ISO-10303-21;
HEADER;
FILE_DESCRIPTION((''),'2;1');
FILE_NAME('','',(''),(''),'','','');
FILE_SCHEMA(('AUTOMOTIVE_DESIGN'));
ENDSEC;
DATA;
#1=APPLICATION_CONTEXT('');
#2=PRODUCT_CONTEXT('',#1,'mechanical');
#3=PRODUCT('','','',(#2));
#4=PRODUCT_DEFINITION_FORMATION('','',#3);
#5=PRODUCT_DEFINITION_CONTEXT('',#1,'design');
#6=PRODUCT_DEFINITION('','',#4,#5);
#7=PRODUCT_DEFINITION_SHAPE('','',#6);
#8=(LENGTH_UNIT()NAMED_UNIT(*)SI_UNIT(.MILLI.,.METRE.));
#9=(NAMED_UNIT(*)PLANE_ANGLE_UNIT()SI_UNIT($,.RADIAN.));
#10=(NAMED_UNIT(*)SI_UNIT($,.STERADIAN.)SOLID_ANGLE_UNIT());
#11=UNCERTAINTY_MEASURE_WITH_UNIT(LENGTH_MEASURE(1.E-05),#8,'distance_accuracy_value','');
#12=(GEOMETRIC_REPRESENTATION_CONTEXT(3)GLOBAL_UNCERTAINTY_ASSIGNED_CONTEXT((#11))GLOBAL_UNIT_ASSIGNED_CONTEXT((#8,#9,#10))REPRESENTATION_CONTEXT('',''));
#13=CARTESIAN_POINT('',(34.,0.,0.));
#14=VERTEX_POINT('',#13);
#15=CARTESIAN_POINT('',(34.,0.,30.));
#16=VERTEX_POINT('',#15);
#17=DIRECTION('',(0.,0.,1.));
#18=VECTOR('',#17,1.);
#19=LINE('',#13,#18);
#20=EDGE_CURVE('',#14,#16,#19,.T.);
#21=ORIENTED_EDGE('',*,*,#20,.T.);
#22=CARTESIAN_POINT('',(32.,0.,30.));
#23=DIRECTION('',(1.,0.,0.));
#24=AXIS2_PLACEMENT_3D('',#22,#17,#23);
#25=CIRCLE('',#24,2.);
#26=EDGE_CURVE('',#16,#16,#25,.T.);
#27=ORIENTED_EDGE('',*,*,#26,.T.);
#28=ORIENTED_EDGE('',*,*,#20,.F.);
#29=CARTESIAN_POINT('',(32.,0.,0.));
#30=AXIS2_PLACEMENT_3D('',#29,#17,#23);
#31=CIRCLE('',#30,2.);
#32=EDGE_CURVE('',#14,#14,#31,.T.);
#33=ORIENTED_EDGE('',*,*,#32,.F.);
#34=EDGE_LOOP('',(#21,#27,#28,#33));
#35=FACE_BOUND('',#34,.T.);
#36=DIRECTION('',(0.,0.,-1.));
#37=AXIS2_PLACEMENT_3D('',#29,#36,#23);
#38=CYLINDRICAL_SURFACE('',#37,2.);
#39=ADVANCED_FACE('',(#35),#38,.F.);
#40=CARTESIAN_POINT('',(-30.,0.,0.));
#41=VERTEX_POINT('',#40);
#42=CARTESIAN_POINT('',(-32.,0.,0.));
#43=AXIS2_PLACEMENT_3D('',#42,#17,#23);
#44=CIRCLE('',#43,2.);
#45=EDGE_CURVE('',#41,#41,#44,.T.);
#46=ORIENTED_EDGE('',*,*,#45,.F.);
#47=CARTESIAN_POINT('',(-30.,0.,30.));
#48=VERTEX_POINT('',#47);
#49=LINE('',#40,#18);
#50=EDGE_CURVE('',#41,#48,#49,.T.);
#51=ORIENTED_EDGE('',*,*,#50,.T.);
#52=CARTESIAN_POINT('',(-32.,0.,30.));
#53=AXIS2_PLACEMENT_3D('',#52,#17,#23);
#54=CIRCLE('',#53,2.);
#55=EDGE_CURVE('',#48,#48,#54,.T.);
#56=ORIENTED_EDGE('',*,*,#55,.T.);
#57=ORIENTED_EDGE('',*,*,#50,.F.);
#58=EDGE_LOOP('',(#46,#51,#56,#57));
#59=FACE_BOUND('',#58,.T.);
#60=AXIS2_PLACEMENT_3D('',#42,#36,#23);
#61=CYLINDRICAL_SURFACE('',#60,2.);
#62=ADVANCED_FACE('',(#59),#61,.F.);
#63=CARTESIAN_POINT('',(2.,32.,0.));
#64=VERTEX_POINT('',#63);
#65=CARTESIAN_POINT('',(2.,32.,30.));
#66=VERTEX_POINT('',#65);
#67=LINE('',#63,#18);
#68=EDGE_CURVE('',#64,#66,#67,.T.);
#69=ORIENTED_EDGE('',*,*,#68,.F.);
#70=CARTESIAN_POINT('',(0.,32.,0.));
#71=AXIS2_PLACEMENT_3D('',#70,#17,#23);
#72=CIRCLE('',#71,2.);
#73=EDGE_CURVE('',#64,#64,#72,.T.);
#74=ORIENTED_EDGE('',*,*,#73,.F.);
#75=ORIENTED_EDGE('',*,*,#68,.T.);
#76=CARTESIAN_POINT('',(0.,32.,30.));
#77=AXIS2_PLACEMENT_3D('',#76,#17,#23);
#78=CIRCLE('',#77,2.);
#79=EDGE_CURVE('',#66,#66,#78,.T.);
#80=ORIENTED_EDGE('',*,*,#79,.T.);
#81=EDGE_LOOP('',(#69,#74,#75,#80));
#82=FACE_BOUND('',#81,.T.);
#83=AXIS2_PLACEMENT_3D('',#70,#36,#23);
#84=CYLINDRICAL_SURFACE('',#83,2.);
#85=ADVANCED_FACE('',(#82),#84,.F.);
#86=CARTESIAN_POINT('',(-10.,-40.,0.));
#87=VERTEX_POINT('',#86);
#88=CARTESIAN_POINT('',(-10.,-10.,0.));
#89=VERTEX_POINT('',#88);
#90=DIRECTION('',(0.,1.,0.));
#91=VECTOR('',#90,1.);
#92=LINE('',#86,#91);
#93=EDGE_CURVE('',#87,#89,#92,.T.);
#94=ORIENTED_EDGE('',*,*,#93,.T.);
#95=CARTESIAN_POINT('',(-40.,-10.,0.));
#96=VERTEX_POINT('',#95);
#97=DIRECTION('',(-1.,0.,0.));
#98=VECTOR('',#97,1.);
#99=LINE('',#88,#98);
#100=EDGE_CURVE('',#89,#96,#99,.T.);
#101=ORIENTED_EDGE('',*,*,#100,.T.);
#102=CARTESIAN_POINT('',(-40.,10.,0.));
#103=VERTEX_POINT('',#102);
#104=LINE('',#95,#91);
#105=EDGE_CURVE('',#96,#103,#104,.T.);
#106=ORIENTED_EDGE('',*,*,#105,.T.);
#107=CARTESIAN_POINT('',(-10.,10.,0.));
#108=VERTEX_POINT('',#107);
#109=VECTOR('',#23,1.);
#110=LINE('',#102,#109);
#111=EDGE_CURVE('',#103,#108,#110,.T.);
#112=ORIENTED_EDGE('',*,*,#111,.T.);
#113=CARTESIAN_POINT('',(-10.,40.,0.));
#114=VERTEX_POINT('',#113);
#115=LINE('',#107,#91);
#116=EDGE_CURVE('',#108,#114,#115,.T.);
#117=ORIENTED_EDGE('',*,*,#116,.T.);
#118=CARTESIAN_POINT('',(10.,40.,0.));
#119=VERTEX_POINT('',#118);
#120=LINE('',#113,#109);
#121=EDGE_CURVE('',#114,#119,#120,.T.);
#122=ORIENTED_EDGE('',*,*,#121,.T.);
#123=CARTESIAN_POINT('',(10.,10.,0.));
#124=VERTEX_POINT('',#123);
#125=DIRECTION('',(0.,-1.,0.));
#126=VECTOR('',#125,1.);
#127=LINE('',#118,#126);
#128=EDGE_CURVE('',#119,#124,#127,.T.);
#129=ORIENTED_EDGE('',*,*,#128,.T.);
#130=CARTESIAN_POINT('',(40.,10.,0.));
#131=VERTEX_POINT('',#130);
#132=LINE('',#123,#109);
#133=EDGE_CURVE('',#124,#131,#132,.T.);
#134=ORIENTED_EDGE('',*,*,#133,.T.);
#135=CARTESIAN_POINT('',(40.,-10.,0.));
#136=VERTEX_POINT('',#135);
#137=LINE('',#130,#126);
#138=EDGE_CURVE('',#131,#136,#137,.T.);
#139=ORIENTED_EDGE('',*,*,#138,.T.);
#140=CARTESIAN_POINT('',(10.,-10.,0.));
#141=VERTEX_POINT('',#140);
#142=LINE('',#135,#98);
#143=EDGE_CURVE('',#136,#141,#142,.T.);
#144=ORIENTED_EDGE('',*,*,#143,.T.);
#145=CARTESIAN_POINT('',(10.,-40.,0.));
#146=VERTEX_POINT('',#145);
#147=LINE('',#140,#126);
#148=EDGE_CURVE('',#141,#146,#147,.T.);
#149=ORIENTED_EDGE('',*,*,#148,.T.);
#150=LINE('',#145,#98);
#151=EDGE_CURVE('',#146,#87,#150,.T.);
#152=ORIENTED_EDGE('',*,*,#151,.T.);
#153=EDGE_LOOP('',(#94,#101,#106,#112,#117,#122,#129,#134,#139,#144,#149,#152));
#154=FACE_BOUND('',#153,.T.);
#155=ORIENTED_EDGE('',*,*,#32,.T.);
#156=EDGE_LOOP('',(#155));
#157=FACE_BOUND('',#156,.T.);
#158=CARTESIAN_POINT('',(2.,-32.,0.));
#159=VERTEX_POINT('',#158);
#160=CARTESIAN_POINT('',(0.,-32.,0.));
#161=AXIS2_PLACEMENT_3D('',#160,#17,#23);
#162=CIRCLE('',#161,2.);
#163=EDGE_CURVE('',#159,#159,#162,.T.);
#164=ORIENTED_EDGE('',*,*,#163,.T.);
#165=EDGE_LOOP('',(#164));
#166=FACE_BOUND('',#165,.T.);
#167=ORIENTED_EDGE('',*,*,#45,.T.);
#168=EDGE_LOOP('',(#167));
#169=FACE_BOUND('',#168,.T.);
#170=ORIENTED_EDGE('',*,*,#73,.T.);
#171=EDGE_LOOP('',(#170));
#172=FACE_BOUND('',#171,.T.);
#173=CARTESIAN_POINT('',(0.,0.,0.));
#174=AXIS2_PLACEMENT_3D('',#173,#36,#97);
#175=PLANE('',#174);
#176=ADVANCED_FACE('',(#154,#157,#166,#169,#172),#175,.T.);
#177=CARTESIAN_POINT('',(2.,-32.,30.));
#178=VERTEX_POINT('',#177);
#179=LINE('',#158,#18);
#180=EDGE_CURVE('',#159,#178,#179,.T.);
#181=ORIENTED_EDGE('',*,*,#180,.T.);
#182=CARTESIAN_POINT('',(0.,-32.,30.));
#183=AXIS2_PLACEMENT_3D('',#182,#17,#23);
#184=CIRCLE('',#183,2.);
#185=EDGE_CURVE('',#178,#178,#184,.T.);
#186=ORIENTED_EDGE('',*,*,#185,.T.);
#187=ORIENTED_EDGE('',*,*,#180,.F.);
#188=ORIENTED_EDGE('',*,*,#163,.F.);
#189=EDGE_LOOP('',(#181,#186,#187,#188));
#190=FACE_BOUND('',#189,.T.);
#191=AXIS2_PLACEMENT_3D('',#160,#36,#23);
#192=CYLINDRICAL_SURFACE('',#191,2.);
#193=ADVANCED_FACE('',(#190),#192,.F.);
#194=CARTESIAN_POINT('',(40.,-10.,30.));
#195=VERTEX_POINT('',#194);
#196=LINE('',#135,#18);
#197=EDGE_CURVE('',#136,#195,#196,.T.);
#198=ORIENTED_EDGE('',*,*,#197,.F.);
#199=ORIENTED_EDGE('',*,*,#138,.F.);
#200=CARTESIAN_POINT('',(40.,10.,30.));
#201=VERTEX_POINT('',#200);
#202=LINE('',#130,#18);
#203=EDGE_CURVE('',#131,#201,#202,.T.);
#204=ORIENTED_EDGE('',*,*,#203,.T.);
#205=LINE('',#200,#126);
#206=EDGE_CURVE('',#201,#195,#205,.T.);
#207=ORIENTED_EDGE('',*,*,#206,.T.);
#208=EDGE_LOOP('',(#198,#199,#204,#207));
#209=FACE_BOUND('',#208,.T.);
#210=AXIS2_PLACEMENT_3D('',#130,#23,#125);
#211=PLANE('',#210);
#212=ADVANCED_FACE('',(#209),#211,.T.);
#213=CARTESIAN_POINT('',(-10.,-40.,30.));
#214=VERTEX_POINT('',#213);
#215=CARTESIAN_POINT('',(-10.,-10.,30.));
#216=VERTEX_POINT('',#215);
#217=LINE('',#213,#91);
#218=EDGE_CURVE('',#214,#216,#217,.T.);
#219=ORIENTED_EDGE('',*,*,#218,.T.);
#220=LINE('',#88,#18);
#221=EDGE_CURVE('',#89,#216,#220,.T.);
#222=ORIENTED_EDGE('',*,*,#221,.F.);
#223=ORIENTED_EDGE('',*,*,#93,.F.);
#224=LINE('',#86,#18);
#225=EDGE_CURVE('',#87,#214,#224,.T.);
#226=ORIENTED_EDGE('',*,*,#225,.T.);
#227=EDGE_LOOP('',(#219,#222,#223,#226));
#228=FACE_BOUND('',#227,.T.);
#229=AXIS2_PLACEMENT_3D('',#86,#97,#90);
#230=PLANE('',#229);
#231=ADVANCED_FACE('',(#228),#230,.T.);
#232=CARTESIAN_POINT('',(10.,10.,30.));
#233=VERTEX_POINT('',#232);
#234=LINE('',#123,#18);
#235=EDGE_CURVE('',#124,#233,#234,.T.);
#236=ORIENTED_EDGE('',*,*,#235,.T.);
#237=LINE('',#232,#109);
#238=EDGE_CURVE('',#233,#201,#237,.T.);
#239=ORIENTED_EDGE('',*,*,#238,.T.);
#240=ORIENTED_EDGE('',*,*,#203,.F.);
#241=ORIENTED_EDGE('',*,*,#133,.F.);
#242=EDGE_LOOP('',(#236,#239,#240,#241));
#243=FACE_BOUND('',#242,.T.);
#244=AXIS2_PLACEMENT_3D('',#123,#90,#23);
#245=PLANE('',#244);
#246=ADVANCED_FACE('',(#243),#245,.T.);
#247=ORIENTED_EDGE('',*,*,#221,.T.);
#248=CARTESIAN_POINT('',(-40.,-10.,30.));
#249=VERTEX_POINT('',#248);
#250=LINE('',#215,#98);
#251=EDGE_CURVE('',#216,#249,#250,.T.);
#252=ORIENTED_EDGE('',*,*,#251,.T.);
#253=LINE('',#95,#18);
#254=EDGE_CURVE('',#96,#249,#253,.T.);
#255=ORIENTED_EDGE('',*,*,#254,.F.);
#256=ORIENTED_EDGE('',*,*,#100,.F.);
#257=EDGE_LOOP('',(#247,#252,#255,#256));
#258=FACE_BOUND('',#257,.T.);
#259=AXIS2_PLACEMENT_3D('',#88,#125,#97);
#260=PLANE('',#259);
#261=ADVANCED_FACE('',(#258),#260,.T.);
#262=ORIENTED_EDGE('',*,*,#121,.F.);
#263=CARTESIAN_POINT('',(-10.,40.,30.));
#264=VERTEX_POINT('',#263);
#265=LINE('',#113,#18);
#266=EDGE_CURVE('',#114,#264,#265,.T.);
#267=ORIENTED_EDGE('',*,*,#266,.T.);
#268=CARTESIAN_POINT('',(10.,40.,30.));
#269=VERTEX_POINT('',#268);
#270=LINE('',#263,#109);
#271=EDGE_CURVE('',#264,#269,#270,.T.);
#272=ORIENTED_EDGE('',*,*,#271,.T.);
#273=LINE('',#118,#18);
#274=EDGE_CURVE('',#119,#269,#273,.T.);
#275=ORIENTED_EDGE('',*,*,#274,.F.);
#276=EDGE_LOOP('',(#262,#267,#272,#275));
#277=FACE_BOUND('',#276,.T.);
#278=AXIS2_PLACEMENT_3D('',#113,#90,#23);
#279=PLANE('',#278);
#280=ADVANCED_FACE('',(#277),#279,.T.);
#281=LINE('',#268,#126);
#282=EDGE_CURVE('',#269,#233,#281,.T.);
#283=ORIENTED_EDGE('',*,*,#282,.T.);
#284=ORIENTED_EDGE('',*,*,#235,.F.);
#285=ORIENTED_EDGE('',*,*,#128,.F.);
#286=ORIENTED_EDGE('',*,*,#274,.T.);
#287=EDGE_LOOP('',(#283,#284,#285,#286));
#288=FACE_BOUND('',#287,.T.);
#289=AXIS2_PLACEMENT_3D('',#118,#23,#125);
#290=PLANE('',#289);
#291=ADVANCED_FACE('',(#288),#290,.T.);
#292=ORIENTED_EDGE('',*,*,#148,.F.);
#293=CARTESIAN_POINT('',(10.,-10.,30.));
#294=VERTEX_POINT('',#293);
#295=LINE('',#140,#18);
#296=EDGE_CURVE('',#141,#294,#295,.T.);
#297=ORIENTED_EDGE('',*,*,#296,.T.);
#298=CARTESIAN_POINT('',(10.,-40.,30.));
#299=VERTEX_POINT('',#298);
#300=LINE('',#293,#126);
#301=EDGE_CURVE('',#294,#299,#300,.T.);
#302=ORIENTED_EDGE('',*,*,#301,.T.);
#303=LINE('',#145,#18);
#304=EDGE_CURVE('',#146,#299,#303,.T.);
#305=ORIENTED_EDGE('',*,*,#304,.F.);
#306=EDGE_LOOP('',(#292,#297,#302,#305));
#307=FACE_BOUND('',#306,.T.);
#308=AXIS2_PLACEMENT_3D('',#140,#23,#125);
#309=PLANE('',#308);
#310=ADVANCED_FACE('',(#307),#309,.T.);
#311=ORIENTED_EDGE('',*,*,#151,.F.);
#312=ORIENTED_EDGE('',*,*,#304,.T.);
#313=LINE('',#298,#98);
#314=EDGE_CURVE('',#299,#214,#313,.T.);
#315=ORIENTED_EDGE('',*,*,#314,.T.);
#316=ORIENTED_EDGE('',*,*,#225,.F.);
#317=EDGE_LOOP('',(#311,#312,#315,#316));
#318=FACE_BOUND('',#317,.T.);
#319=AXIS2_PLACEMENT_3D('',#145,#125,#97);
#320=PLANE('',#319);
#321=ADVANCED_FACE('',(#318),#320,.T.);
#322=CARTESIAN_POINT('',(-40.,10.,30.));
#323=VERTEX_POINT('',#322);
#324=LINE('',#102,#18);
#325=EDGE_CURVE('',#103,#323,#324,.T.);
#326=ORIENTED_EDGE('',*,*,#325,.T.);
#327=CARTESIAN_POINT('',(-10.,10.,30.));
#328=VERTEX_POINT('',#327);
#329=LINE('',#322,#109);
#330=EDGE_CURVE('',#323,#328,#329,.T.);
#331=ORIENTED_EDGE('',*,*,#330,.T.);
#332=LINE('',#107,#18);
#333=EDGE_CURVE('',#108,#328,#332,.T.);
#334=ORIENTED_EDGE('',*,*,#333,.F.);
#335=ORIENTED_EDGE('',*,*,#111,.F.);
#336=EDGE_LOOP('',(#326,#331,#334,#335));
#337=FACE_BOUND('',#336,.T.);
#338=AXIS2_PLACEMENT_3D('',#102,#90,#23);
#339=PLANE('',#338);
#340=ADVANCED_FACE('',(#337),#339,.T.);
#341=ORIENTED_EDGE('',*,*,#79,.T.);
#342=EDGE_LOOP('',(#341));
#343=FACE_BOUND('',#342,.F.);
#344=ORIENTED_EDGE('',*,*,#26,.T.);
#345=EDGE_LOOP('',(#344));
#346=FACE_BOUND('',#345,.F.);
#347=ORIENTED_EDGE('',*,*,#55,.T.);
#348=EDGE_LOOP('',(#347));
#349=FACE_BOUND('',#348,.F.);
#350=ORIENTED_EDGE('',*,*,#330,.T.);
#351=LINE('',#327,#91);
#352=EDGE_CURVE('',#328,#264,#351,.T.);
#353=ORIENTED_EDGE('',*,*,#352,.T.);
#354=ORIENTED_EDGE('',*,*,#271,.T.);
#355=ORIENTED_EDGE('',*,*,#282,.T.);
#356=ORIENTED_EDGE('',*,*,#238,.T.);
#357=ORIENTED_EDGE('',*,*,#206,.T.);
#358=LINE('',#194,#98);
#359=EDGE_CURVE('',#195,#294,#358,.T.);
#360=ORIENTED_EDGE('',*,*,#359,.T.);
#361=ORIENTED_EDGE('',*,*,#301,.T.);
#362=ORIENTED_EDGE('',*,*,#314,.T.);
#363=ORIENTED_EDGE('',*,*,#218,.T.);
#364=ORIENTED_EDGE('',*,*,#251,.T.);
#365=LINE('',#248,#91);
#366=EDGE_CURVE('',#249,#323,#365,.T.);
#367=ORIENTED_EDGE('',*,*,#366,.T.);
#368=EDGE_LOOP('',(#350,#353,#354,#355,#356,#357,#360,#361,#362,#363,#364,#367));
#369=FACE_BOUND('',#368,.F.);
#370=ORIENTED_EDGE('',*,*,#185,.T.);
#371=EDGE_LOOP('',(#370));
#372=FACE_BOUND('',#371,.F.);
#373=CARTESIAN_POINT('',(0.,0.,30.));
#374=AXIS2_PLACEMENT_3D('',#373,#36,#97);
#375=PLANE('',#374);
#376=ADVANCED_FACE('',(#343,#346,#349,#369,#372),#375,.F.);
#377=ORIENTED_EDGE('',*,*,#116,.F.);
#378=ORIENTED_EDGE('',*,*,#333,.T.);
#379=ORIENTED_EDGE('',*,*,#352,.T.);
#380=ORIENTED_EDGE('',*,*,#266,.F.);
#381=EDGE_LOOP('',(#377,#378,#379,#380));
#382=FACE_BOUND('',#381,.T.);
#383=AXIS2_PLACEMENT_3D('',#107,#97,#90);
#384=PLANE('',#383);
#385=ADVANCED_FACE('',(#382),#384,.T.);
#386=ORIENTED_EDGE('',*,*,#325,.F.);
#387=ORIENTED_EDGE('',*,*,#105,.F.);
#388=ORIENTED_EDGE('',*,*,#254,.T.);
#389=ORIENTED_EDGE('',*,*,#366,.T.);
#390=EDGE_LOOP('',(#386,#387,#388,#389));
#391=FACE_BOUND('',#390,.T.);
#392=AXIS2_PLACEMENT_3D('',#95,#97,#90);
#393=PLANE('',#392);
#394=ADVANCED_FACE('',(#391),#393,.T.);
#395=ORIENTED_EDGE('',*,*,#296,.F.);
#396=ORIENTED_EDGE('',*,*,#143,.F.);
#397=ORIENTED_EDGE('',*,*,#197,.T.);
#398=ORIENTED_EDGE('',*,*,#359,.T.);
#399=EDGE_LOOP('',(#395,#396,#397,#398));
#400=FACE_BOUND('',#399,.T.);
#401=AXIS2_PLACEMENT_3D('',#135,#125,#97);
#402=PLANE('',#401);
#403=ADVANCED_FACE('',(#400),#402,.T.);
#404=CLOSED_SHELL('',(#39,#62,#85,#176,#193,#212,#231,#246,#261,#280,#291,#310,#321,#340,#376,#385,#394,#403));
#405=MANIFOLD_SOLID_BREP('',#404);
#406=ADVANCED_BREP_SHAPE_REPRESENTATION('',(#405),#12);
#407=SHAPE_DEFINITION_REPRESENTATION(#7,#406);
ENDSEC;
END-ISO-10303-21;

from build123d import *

# Parameters (mm, degrees)
SKETCH_R  = 2
PAD_DEPTH = 30


with BuildPart() as part:
    # Sketch → Pad (new body)
    with BuildSketch(Plane.XY):
        Polygon((-10, 10), (-10, 40), (10, 40), (10, 10), (40, 10), (40, -10), (10, -10), (10, -40), (-10, -40), (-10, -10), (-40, -10), (-40, 10), align=None)
        with Locations((-32, 0)):
            Circle(SKETCH_R, mode=Mode.SUBTRACT)
        with Locations((0, -32)):
            Circle(SKETCH_R, mode=Mode.SUBTRACT)
        with Locations((32, 0)):
            Circle(SKETCH_R, mode=Mode.SUBTRACT)
        with Locations((0, 32)):
            Circle(SKETCH_R, mode=Mode.SUBTRACT)
    extrude(amount=PAD_DEPTH)


solid = part.part
